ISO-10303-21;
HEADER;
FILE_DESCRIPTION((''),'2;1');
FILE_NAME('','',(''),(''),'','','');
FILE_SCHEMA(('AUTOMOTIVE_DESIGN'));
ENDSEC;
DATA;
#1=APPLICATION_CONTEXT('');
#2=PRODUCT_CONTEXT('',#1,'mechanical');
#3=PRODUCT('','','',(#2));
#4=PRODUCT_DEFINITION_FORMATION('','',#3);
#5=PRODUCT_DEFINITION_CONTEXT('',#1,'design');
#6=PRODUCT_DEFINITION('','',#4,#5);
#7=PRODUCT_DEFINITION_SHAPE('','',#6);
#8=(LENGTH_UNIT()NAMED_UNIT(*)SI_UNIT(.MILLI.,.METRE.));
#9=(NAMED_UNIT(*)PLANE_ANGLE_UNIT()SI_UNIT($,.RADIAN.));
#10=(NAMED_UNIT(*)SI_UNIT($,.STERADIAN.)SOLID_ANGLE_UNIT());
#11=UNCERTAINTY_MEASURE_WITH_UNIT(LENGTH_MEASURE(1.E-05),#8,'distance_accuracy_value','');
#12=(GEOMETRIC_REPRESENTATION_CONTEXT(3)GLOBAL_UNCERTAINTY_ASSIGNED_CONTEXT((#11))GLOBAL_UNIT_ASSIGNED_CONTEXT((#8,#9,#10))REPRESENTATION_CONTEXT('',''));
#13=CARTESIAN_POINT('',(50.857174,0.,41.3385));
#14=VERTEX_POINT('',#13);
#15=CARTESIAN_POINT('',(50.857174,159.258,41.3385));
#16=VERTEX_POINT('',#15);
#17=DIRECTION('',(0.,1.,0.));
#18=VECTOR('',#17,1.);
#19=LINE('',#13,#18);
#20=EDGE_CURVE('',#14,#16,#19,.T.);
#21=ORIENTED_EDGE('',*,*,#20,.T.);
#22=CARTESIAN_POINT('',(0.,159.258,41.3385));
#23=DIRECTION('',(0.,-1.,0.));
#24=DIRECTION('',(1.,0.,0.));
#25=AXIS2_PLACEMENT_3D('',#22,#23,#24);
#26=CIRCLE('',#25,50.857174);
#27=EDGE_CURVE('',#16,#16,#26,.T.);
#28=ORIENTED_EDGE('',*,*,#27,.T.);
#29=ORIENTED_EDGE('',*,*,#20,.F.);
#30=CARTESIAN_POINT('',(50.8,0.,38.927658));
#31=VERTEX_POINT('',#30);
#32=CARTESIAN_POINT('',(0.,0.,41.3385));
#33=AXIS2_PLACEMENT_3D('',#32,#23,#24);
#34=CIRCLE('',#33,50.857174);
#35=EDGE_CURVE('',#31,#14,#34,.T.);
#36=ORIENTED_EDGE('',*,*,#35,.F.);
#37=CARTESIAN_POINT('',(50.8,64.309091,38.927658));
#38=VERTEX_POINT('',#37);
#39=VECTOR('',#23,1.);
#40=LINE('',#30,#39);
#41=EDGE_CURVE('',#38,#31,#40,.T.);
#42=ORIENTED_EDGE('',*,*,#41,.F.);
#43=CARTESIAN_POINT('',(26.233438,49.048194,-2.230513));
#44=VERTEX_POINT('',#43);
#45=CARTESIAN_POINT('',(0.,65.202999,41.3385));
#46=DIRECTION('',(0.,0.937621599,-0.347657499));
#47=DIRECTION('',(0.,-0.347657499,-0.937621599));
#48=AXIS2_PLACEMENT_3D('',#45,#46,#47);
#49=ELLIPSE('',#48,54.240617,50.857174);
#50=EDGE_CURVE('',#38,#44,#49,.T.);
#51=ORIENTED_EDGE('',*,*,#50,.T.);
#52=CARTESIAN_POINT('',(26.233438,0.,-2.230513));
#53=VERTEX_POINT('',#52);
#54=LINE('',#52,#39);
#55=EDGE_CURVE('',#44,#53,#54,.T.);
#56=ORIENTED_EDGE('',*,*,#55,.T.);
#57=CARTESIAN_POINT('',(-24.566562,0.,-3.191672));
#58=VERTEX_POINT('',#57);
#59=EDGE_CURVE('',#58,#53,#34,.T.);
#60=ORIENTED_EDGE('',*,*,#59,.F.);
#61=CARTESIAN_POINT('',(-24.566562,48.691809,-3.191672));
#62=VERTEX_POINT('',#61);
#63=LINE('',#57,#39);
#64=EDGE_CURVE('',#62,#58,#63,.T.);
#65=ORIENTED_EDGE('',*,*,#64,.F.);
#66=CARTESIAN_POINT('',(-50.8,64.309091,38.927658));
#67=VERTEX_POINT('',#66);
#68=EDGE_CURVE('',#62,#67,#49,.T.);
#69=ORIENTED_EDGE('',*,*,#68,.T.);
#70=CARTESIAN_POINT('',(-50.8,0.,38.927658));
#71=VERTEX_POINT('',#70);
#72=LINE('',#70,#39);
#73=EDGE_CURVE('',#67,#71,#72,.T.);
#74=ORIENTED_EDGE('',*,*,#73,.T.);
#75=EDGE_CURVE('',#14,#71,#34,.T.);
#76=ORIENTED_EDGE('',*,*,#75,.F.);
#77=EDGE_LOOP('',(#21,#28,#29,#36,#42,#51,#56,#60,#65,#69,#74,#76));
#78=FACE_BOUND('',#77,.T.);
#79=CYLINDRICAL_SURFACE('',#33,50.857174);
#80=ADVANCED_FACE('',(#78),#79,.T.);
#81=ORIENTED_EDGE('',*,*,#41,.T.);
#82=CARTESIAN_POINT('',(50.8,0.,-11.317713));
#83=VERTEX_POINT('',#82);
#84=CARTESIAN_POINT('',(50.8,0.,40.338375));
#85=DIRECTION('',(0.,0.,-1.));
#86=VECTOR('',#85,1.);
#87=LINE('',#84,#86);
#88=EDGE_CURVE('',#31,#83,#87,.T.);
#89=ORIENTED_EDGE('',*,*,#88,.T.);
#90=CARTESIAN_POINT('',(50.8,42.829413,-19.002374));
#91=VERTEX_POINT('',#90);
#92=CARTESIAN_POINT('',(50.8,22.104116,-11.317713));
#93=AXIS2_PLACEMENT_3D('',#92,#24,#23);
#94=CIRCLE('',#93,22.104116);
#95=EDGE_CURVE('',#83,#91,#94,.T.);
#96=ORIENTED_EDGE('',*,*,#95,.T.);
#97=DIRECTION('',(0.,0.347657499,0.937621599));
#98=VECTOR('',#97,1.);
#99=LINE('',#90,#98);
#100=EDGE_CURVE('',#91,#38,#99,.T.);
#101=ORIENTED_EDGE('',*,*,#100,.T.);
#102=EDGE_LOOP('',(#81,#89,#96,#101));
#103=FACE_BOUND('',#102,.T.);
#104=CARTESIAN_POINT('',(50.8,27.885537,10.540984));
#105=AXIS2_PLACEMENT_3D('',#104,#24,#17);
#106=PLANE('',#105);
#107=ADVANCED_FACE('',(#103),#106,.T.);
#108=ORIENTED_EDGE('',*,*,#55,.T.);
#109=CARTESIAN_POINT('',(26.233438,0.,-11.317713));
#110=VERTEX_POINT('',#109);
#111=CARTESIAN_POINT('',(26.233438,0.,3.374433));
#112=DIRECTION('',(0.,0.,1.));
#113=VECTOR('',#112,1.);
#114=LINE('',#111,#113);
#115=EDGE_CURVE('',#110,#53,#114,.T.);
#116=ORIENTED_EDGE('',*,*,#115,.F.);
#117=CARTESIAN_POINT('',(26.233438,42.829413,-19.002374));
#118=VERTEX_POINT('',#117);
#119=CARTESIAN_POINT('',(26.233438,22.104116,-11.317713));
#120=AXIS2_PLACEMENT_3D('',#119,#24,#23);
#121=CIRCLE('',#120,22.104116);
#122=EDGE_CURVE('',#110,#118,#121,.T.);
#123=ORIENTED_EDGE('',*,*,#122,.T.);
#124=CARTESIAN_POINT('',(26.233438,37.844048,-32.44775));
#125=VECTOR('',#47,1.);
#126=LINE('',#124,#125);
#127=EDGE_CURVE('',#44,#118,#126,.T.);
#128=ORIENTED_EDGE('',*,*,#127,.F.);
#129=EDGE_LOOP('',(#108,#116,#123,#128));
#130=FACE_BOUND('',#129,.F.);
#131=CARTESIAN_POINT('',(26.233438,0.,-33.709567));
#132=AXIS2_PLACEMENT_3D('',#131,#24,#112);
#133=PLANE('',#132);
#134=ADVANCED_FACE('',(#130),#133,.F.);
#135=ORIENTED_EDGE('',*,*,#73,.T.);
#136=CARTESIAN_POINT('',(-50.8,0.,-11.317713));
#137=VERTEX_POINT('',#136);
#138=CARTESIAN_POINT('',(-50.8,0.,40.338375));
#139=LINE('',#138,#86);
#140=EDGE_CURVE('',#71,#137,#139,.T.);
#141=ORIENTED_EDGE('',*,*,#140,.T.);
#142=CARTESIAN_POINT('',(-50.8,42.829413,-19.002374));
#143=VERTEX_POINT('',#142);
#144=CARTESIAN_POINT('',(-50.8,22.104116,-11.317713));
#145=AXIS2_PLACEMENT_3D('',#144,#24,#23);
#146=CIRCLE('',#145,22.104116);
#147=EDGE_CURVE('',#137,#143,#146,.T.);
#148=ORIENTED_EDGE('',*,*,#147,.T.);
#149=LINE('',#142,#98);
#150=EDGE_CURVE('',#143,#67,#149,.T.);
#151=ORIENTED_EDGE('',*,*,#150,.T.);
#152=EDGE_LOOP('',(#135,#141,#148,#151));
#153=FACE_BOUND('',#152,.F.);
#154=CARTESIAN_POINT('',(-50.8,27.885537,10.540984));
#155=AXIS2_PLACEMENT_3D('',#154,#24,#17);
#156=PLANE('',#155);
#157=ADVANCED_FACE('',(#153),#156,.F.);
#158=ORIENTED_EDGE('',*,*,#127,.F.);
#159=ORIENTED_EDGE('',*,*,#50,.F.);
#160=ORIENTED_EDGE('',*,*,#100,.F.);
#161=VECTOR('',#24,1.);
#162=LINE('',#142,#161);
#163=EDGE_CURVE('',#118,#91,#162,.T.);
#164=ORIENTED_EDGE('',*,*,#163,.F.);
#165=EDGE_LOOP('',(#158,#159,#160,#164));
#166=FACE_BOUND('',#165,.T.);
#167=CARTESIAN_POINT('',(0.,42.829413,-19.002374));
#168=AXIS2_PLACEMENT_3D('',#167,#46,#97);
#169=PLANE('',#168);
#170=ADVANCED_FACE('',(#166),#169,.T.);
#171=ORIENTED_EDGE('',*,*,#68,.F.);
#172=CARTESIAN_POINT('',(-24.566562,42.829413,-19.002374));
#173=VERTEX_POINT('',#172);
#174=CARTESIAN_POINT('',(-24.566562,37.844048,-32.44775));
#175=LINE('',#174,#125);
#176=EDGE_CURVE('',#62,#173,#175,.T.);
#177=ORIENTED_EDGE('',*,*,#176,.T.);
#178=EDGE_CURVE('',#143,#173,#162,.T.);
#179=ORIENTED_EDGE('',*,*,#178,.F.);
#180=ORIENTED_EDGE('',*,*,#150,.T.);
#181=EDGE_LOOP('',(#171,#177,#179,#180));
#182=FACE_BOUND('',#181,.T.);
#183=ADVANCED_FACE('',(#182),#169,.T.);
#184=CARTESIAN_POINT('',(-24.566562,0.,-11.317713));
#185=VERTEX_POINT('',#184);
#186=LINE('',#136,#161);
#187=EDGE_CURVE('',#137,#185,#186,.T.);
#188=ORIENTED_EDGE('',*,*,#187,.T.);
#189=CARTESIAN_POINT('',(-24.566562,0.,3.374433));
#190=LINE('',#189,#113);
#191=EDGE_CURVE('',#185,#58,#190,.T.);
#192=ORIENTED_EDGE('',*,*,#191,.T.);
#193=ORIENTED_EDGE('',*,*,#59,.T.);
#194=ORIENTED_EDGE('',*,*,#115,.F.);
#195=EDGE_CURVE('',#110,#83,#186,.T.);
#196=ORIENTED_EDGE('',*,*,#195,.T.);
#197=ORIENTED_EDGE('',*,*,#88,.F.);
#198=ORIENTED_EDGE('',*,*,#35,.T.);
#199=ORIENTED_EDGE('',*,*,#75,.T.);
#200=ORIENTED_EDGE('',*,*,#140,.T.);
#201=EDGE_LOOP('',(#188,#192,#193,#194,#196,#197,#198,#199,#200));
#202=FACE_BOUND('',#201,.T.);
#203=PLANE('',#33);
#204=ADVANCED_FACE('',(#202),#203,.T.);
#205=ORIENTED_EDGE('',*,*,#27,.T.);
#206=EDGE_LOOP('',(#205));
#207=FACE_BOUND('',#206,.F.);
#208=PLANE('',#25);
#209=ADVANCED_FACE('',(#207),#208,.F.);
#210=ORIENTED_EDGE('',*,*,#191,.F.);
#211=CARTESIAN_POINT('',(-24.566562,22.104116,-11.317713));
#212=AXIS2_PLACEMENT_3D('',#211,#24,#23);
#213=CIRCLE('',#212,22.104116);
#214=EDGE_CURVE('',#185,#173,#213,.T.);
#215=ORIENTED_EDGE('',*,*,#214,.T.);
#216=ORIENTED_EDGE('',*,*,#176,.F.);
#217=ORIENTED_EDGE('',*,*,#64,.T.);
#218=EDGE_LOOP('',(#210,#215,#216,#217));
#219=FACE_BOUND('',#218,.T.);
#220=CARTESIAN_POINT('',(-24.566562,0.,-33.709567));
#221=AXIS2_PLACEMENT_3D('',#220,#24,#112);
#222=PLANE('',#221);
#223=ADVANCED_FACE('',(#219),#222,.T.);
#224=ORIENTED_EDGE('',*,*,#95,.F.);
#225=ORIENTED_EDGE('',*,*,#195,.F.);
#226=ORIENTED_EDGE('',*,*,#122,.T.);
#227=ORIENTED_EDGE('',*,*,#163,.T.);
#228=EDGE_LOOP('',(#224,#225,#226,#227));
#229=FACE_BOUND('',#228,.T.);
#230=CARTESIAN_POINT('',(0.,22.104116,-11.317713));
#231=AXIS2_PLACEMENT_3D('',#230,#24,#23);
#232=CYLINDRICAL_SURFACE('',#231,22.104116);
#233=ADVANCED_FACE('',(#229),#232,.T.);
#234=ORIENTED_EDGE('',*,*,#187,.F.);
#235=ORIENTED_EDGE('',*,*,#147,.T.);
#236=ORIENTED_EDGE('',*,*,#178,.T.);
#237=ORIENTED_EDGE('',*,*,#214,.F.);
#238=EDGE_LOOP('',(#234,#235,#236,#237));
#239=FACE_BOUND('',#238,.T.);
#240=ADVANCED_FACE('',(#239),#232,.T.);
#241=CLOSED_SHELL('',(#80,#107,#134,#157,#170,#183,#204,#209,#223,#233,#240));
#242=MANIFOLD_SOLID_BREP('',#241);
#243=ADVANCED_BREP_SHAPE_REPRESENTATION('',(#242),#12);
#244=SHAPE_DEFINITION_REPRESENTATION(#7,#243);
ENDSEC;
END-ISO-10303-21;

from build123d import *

# Parameters (mm, degrees)
F1_DEPTH = 50.8
F2_W     = 50.8
F2_H     = 74.168
F3_DEPTH = 170.688
F4_R     = 50.8571740797
F5_DEPTH = 159.258


with BuildPart() as f1:
    # F0 (on Right) → F1 (new body, symmetric)
    with BuildSketch(Plane.YZ):
        with BuildLine():
            Line((0, 40.3383746743), (0, -11.3177125019))
            ThreePointArc((0, -11.3177125019), (18.2004266595, -33.0743933699), (42.8294130616, -19.0023742616))
            Line((42.8294130616, -19.0023742616), (64.8321659319, 40.3383746743))
            Line((64.8321659319, 40.3383746743), (0, 40.3383746743))
        make_face()
    extrude(amount=F1_DEPTH, both=True)

    # F2 (on Front) → F3 (cut)
    with BuildSketch(Plane.XZ):
        with Locations((0.8334377781, 3.3744326594)):
            Rectangle(F2_W, F2_H)
    extrude(amount=-F3_DEPTH, mode=Mode.SUBTRACT)

    # F4 (on Front) → F5 (join)
    with BuildSketch(Plane.XZ):
        with Locations((0, 41.3384996355)):
            Circle(F4_R)
    extrude(amount=-F5_DEPTH)


solid = f1.part
